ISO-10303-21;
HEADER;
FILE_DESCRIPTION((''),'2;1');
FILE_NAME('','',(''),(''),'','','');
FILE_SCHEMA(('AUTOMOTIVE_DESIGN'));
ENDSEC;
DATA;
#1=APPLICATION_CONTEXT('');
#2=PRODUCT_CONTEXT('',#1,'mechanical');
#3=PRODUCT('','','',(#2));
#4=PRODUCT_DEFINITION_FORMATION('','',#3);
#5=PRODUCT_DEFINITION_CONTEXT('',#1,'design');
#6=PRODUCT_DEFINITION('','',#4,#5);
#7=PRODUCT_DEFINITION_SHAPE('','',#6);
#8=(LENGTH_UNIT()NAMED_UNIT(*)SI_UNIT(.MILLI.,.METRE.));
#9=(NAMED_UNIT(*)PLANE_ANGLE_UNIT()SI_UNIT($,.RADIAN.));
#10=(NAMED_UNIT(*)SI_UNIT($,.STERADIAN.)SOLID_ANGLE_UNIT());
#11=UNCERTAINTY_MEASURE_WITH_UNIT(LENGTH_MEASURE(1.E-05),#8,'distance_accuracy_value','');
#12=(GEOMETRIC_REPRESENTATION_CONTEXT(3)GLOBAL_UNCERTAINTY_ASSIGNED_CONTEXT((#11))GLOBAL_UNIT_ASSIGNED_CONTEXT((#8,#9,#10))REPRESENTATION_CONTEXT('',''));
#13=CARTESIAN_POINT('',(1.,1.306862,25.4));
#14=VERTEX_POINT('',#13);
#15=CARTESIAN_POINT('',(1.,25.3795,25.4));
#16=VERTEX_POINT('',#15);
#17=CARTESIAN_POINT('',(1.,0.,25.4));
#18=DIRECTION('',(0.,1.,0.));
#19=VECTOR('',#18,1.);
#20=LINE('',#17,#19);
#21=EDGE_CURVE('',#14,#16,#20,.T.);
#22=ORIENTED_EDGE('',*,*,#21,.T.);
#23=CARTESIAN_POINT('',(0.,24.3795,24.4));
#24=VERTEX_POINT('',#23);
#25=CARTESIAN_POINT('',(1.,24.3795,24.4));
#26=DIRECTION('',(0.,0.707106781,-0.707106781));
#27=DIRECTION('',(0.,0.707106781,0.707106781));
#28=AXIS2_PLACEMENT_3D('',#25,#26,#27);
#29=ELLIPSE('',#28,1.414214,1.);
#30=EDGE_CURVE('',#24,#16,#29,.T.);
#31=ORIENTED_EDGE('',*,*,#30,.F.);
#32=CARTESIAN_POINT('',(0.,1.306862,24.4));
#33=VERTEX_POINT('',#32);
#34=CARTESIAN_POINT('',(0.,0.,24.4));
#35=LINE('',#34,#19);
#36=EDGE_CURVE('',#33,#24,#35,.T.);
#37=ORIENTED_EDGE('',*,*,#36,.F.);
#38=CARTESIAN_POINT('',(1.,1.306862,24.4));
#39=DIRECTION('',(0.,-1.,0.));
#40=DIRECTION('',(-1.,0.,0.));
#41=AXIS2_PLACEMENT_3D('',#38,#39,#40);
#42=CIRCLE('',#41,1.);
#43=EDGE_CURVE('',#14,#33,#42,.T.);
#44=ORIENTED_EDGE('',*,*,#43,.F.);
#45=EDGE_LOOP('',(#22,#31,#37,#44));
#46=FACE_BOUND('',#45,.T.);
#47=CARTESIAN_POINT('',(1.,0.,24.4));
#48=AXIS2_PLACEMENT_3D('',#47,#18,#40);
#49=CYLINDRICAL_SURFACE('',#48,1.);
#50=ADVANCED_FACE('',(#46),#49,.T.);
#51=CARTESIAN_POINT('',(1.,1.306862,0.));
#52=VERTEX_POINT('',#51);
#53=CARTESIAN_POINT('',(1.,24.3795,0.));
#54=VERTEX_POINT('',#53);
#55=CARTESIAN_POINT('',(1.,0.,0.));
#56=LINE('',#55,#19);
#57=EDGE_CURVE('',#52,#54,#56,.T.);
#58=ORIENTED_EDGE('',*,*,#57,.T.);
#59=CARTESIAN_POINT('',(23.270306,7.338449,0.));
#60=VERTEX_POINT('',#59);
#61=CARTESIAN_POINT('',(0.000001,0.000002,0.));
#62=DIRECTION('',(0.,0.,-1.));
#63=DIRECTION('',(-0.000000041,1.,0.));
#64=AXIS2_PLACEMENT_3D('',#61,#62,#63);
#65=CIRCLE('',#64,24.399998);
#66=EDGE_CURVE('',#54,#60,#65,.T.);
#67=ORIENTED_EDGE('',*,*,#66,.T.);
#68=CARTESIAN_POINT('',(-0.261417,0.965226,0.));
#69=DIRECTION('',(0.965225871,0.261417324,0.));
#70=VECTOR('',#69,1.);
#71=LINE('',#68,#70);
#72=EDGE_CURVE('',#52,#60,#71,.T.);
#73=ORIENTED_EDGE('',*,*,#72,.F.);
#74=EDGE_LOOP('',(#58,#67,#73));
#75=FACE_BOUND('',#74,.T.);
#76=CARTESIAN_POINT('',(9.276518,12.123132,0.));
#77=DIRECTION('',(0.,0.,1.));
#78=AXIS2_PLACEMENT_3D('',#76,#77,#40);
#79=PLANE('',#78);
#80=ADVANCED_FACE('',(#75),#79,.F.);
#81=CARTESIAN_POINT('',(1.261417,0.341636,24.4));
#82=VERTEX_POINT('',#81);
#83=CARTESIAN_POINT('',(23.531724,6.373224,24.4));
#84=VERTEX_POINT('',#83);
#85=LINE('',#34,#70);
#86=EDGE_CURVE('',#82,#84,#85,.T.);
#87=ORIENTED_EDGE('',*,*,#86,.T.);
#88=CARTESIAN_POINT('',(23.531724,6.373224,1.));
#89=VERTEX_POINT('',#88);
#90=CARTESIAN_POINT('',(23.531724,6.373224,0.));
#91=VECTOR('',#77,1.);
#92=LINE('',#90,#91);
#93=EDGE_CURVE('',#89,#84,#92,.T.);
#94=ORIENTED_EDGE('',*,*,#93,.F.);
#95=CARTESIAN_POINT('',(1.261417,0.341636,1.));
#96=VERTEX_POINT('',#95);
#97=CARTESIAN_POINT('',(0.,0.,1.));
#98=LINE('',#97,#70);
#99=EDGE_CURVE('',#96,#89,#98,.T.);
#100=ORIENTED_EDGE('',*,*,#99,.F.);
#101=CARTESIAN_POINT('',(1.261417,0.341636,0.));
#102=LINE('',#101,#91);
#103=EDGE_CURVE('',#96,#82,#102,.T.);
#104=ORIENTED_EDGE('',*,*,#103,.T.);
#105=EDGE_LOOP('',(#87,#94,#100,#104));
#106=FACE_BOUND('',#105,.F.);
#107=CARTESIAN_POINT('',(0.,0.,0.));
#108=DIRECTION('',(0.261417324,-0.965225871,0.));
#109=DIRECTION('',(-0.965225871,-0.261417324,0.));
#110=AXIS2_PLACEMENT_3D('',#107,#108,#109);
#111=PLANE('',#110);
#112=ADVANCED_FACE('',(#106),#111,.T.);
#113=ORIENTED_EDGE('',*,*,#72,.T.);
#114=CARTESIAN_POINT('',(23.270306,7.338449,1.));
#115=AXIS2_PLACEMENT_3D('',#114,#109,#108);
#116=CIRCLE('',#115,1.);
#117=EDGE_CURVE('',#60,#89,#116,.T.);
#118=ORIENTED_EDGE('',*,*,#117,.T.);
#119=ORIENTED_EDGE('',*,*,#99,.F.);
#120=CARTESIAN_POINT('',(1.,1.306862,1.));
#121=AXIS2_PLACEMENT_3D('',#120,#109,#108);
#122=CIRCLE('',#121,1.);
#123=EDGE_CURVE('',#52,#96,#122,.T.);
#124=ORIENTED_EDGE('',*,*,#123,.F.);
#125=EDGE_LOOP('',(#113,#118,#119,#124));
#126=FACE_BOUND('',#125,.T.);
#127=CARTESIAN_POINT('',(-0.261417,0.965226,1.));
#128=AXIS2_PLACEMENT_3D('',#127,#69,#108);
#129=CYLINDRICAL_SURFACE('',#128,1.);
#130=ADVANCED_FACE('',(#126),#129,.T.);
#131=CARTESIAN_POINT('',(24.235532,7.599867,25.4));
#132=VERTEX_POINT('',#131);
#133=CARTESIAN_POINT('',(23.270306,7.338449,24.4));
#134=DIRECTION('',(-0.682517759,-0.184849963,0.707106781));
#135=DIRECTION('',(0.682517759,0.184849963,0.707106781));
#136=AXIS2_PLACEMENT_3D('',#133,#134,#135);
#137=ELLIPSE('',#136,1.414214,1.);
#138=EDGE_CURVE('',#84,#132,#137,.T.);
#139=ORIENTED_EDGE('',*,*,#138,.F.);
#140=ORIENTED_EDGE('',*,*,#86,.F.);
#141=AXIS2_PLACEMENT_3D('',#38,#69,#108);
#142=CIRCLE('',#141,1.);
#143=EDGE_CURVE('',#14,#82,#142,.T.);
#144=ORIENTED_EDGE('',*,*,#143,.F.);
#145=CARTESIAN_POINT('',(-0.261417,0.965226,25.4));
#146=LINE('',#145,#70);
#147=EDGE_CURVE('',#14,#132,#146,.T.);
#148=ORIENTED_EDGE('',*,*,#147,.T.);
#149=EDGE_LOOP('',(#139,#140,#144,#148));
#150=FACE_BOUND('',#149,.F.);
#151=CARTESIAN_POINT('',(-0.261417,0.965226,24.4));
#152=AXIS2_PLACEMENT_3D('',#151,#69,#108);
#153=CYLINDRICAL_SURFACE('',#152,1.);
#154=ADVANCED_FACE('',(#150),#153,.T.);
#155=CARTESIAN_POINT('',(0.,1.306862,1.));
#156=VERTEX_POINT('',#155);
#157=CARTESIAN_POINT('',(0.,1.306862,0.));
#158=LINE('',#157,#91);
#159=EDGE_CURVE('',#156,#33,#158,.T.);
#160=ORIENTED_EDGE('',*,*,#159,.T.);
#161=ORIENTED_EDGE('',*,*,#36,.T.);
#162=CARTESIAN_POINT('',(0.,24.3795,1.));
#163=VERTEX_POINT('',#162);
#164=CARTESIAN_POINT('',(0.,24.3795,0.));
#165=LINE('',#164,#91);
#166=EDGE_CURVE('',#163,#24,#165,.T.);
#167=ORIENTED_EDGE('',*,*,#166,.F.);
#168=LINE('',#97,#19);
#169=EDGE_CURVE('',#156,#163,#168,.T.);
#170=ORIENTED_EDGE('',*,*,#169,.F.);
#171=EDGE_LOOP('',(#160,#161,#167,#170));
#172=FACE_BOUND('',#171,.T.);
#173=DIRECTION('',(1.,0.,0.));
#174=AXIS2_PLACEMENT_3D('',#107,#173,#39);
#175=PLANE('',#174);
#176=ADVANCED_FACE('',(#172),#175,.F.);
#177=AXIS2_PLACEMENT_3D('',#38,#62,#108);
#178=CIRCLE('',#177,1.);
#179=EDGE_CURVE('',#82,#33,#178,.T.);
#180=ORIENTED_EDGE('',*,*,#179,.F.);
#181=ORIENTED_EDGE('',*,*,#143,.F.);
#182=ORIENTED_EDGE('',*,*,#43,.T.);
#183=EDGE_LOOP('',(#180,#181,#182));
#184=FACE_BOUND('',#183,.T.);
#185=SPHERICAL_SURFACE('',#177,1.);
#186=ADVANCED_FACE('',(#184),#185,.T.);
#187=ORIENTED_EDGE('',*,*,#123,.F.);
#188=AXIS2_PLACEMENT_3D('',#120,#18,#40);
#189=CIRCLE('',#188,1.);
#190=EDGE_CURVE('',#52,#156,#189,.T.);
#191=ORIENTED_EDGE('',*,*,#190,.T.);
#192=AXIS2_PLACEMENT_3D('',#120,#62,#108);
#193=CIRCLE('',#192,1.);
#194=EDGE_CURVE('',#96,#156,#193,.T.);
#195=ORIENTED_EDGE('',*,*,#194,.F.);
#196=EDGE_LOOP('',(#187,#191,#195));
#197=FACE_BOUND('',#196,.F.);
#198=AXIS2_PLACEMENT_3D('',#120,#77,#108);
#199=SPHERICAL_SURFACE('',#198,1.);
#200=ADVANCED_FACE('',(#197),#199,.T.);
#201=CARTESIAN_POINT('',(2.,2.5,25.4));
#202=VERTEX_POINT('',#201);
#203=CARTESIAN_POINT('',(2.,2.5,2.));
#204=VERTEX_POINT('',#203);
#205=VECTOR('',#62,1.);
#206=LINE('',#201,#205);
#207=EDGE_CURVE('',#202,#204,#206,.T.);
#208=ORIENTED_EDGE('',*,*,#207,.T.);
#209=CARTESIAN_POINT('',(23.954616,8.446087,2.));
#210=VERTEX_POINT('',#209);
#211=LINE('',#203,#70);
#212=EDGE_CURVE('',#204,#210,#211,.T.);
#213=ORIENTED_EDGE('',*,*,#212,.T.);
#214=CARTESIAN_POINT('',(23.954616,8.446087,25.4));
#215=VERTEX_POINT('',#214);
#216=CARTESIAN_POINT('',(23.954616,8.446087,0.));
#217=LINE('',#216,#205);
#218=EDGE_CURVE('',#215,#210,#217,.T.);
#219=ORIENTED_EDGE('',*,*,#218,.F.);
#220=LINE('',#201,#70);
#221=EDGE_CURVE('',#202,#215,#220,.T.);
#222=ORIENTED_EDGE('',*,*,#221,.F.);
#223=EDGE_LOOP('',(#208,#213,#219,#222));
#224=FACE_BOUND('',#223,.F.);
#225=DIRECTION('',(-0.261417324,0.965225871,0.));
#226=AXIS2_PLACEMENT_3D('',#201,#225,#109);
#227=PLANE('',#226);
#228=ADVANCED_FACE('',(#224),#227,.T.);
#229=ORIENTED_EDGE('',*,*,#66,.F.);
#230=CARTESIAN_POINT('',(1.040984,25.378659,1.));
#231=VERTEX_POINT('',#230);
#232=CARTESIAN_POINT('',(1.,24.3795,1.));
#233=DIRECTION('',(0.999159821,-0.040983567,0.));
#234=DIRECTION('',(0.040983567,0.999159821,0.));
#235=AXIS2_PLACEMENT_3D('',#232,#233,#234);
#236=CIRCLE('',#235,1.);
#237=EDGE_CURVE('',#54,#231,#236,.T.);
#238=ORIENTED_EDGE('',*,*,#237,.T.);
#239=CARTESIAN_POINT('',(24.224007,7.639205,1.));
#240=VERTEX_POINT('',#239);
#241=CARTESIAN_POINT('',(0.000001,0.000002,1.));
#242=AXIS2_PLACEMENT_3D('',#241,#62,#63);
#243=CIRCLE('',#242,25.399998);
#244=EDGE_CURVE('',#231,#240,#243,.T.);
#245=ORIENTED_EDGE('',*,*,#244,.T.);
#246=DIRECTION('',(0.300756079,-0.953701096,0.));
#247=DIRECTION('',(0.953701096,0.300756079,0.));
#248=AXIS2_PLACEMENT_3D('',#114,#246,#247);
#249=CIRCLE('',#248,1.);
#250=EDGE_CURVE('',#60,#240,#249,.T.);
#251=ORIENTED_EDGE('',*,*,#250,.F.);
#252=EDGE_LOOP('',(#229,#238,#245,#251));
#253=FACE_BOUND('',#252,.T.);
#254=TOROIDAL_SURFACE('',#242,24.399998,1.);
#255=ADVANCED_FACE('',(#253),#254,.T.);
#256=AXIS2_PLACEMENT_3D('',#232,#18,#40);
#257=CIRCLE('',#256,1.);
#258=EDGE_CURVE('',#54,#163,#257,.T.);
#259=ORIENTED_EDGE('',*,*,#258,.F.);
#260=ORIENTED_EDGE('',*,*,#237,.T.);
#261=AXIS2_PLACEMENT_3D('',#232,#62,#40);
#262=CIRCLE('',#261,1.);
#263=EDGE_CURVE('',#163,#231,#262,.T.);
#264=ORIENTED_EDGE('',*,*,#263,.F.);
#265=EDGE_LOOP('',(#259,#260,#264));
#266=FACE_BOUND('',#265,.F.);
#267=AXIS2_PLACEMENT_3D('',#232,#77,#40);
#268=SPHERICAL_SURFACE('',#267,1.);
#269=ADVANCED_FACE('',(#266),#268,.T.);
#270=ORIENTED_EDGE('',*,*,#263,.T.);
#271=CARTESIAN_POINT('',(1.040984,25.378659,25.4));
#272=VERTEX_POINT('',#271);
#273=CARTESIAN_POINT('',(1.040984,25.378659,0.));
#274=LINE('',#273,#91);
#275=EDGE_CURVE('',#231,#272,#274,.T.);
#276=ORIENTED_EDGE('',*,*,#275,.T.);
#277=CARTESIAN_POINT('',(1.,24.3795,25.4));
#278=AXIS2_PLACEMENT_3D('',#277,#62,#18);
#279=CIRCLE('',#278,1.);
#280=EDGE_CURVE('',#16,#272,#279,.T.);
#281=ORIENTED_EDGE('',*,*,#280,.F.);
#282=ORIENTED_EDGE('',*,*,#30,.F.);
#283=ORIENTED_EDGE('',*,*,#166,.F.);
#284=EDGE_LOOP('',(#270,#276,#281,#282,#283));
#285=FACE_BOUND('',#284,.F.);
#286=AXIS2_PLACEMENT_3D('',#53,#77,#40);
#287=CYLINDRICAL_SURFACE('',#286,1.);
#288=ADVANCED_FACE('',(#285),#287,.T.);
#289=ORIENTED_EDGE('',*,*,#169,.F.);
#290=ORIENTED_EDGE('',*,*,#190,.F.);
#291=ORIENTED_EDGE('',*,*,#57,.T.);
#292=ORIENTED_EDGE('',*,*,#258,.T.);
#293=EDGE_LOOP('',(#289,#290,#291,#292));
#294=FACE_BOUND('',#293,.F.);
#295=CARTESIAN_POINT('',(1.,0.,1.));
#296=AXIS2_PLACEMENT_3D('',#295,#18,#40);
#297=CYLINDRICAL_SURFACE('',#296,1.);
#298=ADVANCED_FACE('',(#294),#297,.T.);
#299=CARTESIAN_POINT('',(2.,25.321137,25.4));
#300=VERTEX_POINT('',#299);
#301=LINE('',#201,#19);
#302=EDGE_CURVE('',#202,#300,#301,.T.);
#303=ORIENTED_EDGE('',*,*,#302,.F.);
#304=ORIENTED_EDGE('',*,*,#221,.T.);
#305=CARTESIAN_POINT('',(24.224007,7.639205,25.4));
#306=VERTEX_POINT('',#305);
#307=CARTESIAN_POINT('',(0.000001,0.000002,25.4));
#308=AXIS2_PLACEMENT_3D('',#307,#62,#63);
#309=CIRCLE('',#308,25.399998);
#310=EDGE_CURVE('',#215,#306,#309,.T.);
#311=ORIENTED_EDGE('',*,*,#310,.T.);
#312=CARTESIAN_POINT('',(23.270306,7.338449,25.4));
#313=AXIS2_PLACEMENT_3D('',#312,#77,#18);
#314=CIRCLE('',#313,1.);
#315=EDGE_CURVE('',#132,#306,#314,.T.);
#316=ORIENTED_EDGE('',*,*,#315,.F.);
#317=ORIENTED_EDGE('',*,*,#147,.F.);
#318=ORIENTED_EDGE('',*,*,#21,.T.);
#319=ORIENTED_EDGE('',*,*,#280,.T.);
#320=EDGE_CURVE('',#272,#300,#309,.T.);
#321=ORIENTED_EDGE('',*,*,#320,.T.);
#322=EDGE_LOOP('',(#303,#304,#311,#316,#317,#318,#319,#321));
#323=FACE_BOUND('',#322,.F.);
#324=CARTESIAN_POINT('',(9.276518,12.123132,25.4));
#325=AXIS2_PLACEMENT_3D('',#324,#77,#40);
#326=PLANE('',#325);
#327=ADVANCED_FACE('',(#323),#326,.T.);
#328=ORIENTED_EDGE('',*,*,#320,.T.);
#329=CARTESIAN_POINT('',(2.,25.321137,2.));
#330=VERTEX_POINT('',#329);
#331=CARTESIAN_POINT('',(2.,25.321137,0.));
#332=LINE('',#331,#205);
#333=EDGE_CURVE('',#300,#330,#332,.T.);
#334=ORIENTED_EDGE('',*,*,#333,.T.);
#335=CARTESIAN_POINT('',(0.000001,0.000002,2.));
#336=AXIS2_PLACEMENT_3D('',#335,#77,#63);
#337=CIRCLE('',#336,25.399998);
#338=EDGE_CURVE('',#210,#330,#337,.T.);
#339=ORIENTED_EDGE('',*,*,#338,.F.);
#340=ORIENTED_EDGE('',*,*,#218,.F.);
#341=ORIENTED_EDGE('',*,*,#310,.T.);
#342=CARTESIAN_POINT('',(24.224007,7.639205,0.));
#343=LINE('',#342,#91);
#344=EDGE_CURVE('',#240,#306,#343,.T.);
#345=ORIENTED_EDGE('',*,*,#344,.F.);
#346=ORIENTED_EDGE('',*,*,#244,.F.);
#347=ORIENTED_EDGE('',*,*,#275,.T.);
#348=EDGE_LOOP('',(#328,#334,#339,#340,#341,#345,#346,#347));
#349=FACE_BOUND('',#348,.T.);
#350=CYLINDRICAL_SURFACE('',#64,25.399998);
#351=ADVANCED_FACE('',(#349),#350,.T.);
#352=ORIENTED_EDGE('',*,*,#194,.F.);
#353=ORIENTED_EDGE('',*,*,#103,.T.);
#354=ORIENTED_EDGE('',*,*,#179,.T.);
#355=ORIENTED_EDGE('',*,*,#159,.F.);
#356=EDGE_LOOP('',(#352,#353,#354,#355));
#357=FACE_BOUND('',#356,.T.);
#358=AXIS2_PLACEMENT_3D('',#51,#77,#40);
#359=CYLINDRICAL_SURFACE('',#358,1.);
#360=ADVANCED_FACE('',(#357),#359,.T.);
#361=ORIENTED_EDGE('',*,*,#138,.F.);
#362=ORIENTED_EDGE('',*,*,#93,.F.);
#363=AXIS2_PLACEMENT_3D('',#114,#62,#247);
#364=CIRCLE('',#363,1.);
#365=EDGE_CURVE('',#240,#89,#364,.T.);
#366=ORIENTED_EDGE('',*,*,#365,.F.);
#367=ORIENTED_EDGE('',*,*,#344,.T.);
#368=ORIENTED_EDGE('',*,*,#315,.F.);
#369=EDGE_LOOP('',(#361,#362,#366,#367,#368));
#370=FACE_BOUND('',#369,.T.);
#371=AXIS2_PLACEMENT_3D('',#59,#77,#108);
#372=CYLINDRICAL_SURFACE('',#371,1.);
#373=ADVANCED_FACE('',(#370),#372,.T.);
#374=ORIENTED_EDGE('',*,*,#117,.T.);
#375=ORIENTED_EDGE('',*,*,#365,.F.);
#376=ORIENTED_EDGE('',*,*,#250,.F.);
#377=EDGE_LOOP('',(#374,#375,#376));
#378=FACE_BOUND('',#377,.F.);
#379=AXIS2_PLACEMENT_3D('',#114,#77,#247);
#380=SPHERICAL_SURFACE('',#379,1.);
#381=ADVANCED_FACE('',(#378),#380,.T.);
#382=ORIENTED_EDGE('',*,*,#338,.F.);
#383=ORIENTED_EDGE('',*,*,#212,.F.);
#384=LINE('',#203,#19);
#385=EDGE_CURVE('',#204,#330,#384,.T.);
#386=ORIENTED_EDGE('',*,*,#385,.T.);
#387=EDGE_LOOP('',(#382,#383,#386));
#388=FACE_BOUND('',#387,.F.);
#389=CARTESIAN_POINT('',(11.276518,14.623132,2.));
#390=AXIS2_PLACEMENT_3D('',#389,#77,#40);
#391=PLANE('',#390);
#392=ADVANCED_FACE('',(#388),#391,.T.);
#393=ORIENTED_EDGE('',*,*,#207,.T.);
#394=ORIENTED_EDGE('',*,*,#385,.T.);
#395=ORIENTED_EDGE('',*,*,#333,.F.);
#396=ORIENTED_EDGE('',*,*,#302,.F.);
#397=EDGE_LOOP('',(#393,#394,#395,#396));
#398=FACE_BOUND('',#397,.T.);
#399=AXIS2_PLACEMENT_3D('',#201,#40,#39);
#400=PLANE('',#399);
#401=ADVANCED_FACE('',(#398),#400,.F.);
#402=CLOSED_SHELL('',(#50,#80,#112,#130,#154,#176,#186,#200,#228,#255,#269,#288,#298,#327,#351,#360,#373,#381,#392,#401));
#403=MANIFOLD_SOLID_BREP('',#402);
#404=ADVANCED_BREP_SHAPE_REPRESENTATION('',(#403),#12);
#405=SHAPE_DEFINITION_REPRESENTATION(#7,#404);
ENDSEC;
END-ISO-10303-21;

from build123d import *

# Parameters (mm, degrees)
PAD_DEPTH    = 25.4
POCKET_DEPTH = 23.4
FILLET_R     = 1


with BuildPart() as corner:
    # Sketch → Pad (new body)
    with BuildSketch(Plane.XY):
        with BuildLine():
            Line((0, 0), (0, -25.4))
            ThreePointArc((0, -25.4), (15.435414, -20.171961), (24.516737, -6.64))
            Line((0, 0), (24.516737, -6.64))
        make_face()
    extrude(amount=PAD_DEPTH)

    # Sketch001 (on Face5 of Pad) → Pocket (cut)
    with BuildSketch(Plane.XY.offset(25.4)):
        with BuildLine():
            Line((2, -2.5), (2, -27.9))
            ThreePointArc((2, -27.9), (17.435414, -22.671961), (26.516737, -9.14))
            Line((2, -2.5), (26.516737, -9.14))
        make_face()
    extrude(amount=-POCKET_DEPTH, mode=Mode.SUBTRACT)

    # Fillet
    fillet_edges = [corner.edges().sort_by_distance(p)[0] for p in [
        (0, -25.4, 12.7),
        (0, -12.7, 25.4),
        (0, -12.7, 0),
        (0, 0, 12.7),
        (15.435414, -20.171961, 0),
        (12.258369, -3.32, 0),
        (12.258369, -3.32, 25.4),
        (24.516737, -6.64, 12.7),
    ]]
    fillet(fillet_edges, radius=FILLET_R)


with BuildPart() as part_mirroring:
    # Part__Mirroring: instance of Corner
    add(corner.part.mirror(Plane(origin=(0, 0, 0), x_dir=(1, 0, 0), z_dir=(0, 1, 0))))


solid = part_mirroring.part
